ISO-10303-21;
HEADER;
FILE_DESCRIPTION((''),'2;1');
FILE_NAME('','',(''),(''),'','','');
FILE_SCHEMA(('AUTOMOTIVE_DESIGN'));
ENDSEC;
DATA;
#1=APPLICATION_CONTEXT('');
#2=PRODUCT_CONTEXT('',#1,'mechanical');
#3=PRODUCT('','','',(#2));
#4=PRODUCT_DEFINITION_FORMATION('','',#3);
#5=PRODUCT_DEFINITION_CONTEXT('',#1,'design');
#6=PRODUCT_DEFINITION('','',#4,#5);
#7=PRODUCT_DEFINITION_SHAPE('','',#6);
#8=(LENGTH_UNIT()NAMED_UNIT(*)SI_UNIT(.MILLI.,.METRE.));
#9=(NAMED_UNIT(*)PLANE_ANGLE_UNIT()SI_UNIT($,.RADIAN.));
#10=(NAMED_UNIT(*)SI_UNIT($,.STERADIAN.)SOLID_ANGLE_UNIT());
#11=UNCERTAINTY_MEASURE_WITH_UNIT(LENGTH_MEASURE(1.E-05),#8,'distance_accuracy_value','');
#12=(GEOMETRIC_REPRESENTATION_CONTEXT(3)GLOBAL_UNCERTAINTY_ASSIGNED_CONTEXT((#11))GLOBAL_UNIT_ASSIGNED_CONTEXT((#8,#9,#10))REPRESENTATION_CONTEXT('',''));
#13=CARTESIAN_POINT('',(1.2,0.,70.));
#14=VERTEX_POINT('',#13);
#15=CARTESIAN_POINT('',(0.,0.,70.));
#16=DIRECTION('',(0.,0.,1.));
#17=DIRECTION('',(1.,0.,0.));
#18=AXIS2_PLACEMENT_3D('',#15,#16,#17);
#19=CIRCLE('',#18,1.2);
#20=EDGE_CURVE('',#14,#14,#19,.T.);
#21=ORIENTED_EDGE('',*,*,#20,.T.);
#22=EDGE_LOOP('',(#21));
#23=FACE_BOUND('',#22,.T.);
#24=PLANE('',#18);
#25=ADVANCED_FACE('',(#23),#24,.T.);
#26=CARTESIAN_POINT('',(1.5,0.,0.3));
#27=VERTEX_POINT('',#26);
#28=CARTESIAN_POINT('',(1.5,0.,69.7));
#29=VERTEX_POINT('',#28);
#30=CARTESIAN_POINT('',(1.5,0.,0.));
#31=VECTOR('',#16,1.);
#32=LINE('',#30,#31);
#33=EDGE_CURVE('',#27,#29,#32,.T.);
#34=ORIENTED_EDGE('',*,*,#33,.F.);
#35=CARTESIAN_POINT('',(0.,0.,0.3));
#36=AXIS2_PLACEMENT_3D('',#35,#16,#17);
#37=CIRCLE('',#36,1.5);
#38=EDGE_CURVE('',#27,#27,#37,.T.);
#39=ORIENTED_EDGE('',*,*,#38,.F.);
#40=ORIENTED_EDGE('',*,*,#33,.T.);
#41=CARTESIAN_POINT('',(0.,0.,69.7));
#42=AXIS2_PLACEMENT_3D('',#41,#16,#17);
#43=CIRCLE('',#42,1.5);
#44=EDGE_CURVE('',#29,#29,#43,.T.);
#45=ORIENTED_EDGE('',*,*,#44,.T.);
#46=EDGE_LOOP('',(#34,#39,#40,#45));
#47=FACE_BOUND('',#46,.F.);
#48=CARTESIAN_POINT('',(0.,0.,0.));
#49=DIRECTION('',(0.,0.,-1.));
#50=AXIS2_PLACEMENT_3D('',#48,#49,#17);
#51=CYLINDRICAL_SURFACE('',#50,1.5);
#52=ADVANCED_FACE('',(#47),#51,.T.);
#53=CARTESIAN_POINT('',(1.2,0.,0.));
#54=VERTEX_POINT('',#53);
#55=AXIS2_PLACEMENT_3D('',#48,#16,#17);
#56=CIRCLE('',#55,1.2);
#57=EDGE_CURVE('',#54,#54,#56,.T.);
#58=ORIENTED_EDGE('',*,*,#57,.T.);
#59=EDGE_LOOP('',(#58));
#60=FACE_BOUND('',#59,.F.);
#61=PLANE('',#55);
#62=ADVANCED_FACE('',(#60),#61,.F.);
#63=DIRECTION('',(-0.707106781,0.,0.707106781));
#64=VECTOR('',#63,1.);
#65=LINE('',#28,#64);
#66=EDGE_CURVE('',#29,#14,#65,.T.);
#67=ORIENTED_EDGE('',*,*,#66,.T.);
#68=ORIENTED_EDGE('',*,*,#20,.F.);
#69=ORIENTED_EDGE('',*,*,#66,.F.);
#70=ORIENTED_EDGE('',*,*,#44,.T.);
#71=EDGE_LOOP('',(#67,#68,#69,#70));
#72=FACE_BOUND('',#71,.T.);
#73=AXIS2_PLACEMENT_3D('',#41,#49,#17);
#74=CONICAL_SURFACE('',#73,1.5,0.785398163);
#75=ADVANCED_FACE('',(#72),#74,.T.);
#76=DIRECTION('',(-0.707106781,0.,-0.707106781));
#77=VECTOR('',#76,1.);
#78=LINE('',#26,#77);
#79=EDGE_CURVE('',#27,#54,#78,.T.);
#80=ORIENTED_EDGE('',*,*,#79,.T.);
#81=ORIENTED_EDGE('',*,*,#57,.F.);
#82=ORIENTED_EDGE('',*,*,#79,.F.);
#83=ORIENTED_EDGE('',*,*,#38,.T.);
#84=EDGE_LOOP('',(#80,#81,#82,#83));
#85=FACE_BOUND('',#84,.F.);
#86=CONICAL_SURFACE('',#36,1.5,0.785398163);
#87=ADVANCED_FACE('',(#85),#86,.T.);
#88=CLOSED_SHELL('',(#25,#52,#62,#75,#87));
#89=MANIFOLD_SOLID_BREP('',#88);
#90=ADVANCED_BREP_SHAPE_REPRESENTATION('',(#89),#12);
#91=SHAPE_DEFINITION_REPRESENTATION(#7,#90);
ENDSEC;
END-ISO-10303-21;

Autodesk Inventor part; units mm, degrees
ref_plane "YZ Plane" through (0, 0, 0) normal (1, 0, 0) x (0, 1, 0)
ref_plane "XZ Plane" through (0, 0, 0) normal (0, 1, 0) x (-1, 0, 0)
ref_plane "XY Plane" through (0, 0, 0) normal (0, 0, 1) x (1, 0, 0)
sketch "Skizze1" plane through (0, 0, 0) normal (0, 0, 1) x (1, 0, 0)
  circle A0 centre (0, 0) radius 1.5
  dimension "d0" = 3
extrude "Extrusion1" add sketch "Skizze1" along normal blind 70
thread "Gewinde1" size "M3x0.5" class "6g" standard "ANSI Metric M Profile" full length
chamfer "Fase1" distance 0.3 angle 45 2 edges at (-1.5, 0, 70) (-1.5, 0, 0)
properties part number "Gewindestange kurz" material "Stahl"
